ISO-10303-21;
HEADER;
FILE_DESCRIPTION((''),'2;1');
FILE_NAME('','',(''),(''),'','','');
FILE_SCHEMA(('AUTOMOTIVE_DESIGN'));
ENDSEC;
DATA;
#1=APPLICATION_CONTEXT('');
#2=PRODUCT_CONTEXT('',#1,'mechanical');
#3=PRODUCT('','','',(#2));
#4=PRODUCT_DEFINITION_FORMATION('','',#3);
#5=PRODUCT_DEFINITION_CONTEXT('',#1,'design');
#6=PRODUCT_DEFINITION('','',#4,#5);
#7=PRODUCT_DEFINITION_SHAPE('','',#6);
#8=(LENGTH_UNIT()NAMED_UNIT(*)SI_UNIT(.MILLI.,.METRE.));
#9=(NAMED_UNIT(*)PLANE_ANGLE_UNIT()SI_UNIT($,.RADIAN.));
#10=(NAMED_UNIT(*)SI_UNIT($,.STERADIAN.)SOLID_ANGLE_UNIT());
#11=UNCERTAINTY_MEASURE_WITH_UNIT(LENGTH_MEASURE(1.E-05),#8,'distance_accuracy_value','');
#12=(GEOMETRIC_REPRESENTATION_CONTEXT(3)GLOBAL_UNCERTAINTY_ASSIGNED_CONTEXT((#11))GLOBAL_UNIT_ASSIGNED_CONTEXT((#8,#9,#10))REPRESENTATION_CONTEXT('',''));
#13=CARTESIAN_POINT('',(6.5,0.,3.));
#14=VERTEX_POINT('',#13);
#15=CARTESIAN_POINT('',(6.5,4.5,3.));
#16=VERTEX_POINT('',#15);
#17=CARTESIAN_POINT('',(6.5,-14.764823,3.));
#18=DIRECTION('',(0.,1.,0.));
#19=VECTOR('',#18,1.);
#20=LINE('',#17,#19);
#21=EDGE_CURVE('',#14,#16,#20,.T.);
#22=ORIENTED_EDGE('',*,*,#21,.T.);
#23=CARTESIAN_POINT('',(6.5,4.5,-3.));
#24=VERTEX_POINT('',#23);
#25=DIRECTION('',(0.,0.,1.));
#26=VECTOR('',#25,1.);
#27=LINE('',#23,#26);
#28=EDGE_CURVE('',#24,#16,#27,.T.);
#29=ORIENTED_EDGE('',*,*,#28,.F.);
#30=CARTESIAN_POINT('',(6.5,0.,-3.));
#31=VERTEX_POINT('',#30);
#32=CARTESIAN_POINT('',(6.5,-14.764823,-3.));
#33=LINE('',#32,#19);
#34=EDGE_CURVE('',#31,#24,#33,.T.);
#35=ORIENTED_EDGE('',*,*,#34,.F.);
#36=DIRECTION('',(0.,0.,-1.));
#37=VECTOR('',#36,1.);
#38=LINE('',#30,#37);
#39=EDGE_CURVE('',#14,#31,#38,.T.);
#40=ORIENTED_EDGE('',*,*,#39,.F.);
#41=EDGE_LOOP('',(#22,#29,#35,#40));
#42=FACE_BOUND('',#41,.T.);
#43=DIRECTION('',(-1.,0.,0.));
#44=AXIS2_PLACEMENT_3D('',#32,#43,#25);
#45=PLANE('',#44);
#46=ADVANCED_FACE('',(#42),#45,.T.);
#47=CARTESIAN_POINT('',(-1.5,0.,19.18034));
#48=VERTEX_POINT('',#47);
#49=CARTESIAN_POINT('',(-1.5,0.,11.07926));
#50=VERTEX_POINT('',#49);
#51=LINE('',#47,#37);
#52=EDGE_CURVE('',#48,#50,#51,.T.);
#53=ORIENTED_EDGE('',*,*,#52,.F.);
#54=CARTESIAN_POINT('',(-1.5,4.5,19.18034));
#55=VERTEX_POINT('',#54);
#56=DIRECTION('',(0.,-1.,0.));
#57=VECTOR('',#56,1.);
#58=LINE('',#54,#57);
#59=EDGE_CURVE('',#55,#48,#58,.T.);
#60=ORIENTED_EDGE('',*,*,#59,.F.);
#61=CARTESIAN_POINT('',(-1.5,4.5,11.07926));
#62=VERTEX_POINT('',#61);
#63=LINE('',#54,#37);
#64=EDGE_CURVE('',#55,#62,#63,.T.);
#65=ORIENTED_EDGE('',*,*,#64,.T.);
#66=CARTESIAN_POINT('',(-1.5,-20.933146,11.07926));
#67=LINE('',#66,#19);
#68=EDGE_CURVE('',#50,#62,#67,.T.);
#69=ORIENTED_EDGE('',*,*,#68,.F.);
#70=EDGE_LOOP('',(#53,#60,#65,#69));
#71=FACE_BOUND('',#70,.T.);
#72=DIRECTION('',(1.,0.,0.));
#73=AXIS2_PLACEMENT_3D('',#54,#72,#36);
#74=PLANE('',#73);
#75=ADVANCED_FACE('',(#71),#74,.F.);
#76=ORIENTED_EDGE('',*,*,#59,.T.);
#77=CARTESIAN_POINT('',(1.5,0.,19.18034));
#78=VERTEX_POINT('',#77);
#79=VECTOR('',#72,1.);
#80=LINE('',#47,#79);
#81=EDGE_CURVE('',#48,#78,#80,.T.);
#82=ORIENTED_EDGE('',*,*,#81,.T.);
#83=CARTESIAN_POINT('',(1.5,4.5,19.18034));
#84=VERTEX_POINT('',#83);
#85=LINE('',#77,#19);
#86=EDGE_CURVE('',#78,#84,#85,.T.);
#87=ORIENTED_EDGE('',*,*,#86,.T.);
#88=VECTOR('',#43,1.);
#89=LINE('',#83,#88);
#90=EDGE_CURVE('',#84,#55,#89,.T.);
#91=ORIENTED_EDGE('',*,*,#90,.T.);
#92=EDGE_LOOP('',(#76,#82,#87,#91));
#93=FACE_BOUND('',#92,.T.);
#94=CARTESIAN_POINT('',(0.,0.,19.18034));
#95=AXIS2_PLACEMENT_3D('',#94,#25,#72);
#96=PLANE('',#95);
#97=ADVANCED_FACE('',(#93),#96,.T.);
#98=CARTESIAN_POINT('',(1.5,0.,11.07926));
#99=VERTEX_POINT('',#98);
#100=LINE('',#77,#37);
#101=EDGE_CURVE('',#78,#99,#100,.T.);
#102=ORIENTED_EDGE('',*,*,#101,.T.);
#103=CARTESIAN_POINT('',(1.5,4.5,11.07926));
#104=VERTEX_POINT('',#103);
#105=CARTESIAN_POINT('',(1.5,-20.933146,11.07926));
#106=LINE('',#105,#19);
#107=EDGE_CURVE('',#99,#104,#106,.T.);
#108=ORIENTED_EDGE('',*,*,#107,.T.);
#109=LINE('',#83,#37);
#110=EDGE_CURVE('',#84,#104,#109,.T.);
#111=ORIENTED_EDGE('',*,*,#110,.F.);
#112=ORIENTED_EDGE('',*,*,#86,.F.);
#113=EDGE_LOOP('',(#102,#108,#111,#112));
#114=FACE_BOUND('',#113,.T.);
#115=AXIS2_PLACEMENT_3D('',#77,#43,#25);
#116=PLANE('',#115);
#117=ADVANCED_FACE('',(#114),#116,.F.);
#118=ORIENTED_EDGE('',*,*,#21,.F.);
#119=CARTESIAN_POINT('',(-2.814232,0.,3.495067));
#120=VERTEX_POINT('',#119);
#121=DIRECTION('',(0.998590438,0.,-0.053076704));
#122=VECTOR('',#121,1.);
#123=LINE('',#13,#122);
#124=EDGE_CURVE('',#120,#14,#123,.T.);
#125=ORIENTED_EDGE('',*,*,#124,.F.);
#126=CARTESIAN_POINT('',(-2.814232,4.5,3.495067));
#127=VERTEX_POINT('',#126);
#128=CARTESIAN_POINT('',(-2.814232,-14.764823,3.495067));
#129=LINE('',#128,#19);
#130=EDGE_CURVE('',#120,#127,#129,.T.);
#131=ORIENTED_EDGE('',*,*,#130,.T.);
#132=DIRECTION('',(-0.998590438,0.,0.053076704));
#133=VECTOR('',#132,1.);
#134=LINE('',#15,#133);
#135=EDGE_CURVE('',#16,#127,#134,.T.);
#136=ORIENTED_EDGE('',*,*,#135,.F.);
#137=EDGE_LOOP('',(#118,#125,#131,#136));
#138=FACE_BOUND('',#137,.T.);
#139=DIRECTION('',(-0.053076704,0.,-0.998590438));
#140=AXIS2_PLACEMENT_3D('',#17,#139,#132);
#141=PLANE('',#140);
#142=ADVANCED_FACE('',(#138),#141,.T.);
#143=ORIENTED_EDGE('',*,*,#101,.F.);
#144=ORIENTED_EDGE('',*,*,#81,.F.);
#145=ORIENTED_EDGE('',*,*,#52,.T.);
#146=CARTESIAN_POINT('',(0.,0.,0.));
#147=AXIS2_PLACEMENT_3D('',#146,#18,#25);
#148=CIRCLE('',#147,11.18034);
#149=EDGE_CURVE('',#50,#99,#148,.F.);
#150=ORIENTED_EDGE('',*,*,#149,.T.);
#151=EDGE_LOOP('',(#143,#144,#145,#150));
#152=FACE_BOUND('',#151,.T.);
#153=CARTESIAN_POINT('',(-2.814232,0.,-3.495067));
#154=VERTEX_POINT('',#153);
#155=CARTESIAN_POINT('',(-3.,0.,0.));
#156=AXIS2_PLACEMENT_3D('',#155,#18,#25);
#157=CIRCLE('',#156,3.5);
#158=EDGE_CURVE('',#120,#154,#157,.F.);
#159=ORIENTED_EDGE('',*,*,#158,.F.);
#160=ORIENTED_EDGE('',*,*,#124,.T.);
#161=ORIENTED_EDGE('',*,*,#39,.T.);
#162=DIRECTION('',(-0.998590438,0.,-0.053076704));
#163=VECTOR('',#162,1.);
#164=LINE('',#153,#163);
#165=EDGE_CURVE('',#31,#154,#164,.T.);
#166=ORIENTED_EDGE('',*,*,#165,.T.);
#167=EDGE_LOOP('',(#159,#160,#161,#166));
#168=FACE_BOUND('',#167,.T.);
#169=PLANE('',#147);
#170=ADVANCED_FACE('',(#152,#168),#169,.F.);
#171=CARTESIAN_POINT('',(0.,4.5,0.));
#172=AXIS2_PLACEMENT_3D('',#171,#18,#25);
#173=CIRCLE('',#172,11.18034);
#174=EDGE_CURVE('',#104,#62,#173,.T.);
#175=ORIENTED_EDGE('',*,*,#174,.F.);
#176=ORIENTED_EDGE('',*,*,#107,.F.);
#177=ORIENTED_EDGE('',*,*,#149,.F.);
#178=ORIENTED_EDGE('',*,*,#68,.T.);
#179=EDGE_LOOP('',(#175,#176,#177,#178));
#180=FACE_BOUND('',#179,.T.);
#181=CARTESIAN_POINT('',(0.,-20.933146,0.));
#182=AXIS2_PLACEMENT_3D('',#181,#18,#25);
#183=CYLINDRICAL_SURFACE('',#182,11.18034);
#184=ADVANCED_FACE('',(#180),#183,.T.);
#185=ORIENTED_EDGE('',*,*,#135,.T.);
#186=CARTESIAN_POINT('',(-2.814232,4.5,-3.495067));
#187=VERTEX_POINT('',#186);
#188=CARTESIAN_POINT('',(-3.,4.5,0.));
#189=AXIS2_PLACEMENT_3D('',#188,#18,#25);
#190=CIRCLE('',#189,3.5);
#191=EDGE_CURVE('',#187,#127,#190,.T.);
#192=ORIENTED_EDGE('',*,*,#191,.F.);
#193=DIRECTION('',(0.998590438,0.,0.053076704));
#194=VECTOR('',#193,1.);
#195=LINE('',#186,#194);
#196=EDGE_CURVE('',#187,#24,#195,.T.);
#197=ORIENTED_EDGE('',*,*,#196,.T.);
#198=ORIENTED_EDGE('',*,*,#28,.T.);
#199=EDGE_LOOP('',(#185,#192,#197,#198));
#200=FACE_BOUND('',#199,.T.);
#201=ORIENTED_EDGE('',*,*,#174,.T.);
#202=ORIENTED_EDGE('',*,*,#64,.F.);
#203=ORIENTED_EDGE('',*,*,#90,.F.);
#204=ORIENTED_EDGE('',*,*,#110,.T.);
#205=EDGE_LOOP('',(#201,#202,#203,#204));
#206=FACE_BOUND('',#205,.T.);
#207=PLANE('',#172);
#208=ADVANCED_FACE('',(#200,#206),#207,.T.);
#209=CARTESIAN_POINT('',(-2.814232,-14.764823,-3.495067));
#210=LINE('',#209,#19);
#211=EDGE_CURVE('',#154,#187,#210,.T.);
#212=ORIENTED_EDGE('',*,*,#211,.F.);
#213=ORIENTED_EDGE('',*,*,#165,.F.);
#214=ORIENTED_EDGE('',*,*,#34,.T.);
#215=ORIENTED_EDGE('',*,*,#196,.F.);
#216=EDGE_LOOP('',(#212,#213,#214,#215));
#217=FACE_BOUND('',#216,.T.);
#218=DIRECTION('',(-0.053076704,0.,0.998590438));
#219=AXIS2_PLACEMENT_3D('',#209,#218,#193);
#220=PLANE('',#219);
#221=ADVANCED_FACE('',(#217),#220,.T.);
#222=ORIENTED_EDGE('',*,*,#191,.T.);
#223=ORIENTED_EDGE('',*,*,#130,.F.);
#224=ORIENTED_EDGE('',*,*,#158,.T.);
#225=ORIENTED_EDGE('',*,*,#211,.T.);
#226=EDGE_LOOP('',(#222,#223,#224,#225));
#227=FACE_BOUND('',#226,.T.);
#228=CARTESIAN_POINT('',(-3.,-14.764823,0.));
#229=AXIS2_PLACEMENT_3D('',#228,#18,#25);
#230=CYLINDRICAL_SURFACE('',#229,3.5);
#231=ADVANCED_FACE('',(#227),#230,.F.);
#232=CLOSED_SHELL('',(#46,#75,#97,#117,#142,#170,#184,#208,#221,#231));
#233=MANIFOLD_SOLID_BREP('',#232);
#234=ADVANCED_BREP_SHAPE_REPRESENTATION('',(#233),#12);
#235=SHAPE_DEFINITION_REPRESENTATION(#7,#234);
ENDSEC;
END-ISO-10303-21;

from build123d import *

# Parameters (mm, degrees)
SKETCH_1_W          = 20
SKETCH_1_H          = 10
EXTRUDE_1_DEPTH     = 4.5
CUT_EXTRUDE_1_DEPTH = 4.5
EXTRUDE_2_DEPTH     = 4.5
SKETCH_5_W          = 3
SKETCH_5_H          = 3
CUT_EXTRUDE_2_DEPTH = 4.5
SKETCH_6_W          = 3
SKETCH_6_H          = 4.5
EXTRUDE_3_DEPTH     = 11


with BuildPart() as part:
    # 草图1 → 凸台-拉伸1 (new body)
    with BuildSketch(Plane(origin=(0, 0, 0), x_dir=(1, 0, 0), z_dir=(0, 1, 0))):
        Rectangle(SKETCH_1_W, SKETCH_1_H)
    extrude(amount=EXTRUDE_1_DEPTH)

    # 草图2 → 切除-拉伸1 (cut)
    with BuildSketch(Plane(origin=(0, 4.5, 0), x_dir=(1, 0, 0), z_dir=(0, 1, 0))):
        with BuildLine():
            Line((-2.814231537, 3.495066534), (6.5, 3))
            Line((6.5, 3), (6.5, -3))
            Line((6.5, -3), (-2.814231537, -3.495066534))
            ThreePointArc((-2.814231537, -3.495066534), (-6.5, 0), (-2.814231537, 3.495066534))
        make_face()
    extrude(amount=-CUT_EXTRUDE_1_DEPTH, mode=Mode.SUBTRACT)

    # 草图3 → 凸台-拉伸2 (add)
    with BuildSketch(Plane(origin=(0, 4.5, 0), x_dir=(1, 0, 0), z_dir=(0, 1, 0))):
        with BuildLine():
            ThreePointArc((10, 5), (0, 11.180339887), (-10, 5))
            Line((-10, 5), (10, 5))
        make_face()
        with BuildLine():
            Line((-10, -5), (-10, 5))
            ThreePointArc((-10, 5), (-11.180339887, 0), (-10, -5))
        make_face()
        with BuildLine():
            Line((10, -5), (-10, -5))
            ThreePointArc((-10, -5), (0, -11.180339887), (10, -5))
        make_face()
        with BuildLine():
            ThreePointArc((11.180339887, 0), (10.881254497, 2.568715742), (10, 5))
            Line((10, 5), (10, -5))
            ThreePointArc((10, -5), (10.881254497, -2.568715742), (11.180339887, 0))
        make_face()
    extrude(amount=-EXTRUDE_2_DEPTH)

    # 草图5 → 切除-拉伸2 (cut)
    with BuildSketch(Plane(origin=(0, 4.5, 0), x_dir=(1, 0, 0), z_dir=(0, 1, 0))):
        with Locations((0, -9.680339887)):
            Rectangle(SKETCH_5_W, SKETCH_5_H)
    extrude(amount=-CUT_EXTRUDE_2_DEPTH, mode=Mode.SUBTRACT)

    # 草图6 → 凸台-拉伸3 (add)
    with BuildSketch(Plane.XY.offset(8.180339887)):
        with Locations((0, 2.25)):
            Rectangle(SKETCH_6_W, SKETCH_6_H)
    extrude(amount=EXTRUDE_3_DEPTH)


solid = part.part
